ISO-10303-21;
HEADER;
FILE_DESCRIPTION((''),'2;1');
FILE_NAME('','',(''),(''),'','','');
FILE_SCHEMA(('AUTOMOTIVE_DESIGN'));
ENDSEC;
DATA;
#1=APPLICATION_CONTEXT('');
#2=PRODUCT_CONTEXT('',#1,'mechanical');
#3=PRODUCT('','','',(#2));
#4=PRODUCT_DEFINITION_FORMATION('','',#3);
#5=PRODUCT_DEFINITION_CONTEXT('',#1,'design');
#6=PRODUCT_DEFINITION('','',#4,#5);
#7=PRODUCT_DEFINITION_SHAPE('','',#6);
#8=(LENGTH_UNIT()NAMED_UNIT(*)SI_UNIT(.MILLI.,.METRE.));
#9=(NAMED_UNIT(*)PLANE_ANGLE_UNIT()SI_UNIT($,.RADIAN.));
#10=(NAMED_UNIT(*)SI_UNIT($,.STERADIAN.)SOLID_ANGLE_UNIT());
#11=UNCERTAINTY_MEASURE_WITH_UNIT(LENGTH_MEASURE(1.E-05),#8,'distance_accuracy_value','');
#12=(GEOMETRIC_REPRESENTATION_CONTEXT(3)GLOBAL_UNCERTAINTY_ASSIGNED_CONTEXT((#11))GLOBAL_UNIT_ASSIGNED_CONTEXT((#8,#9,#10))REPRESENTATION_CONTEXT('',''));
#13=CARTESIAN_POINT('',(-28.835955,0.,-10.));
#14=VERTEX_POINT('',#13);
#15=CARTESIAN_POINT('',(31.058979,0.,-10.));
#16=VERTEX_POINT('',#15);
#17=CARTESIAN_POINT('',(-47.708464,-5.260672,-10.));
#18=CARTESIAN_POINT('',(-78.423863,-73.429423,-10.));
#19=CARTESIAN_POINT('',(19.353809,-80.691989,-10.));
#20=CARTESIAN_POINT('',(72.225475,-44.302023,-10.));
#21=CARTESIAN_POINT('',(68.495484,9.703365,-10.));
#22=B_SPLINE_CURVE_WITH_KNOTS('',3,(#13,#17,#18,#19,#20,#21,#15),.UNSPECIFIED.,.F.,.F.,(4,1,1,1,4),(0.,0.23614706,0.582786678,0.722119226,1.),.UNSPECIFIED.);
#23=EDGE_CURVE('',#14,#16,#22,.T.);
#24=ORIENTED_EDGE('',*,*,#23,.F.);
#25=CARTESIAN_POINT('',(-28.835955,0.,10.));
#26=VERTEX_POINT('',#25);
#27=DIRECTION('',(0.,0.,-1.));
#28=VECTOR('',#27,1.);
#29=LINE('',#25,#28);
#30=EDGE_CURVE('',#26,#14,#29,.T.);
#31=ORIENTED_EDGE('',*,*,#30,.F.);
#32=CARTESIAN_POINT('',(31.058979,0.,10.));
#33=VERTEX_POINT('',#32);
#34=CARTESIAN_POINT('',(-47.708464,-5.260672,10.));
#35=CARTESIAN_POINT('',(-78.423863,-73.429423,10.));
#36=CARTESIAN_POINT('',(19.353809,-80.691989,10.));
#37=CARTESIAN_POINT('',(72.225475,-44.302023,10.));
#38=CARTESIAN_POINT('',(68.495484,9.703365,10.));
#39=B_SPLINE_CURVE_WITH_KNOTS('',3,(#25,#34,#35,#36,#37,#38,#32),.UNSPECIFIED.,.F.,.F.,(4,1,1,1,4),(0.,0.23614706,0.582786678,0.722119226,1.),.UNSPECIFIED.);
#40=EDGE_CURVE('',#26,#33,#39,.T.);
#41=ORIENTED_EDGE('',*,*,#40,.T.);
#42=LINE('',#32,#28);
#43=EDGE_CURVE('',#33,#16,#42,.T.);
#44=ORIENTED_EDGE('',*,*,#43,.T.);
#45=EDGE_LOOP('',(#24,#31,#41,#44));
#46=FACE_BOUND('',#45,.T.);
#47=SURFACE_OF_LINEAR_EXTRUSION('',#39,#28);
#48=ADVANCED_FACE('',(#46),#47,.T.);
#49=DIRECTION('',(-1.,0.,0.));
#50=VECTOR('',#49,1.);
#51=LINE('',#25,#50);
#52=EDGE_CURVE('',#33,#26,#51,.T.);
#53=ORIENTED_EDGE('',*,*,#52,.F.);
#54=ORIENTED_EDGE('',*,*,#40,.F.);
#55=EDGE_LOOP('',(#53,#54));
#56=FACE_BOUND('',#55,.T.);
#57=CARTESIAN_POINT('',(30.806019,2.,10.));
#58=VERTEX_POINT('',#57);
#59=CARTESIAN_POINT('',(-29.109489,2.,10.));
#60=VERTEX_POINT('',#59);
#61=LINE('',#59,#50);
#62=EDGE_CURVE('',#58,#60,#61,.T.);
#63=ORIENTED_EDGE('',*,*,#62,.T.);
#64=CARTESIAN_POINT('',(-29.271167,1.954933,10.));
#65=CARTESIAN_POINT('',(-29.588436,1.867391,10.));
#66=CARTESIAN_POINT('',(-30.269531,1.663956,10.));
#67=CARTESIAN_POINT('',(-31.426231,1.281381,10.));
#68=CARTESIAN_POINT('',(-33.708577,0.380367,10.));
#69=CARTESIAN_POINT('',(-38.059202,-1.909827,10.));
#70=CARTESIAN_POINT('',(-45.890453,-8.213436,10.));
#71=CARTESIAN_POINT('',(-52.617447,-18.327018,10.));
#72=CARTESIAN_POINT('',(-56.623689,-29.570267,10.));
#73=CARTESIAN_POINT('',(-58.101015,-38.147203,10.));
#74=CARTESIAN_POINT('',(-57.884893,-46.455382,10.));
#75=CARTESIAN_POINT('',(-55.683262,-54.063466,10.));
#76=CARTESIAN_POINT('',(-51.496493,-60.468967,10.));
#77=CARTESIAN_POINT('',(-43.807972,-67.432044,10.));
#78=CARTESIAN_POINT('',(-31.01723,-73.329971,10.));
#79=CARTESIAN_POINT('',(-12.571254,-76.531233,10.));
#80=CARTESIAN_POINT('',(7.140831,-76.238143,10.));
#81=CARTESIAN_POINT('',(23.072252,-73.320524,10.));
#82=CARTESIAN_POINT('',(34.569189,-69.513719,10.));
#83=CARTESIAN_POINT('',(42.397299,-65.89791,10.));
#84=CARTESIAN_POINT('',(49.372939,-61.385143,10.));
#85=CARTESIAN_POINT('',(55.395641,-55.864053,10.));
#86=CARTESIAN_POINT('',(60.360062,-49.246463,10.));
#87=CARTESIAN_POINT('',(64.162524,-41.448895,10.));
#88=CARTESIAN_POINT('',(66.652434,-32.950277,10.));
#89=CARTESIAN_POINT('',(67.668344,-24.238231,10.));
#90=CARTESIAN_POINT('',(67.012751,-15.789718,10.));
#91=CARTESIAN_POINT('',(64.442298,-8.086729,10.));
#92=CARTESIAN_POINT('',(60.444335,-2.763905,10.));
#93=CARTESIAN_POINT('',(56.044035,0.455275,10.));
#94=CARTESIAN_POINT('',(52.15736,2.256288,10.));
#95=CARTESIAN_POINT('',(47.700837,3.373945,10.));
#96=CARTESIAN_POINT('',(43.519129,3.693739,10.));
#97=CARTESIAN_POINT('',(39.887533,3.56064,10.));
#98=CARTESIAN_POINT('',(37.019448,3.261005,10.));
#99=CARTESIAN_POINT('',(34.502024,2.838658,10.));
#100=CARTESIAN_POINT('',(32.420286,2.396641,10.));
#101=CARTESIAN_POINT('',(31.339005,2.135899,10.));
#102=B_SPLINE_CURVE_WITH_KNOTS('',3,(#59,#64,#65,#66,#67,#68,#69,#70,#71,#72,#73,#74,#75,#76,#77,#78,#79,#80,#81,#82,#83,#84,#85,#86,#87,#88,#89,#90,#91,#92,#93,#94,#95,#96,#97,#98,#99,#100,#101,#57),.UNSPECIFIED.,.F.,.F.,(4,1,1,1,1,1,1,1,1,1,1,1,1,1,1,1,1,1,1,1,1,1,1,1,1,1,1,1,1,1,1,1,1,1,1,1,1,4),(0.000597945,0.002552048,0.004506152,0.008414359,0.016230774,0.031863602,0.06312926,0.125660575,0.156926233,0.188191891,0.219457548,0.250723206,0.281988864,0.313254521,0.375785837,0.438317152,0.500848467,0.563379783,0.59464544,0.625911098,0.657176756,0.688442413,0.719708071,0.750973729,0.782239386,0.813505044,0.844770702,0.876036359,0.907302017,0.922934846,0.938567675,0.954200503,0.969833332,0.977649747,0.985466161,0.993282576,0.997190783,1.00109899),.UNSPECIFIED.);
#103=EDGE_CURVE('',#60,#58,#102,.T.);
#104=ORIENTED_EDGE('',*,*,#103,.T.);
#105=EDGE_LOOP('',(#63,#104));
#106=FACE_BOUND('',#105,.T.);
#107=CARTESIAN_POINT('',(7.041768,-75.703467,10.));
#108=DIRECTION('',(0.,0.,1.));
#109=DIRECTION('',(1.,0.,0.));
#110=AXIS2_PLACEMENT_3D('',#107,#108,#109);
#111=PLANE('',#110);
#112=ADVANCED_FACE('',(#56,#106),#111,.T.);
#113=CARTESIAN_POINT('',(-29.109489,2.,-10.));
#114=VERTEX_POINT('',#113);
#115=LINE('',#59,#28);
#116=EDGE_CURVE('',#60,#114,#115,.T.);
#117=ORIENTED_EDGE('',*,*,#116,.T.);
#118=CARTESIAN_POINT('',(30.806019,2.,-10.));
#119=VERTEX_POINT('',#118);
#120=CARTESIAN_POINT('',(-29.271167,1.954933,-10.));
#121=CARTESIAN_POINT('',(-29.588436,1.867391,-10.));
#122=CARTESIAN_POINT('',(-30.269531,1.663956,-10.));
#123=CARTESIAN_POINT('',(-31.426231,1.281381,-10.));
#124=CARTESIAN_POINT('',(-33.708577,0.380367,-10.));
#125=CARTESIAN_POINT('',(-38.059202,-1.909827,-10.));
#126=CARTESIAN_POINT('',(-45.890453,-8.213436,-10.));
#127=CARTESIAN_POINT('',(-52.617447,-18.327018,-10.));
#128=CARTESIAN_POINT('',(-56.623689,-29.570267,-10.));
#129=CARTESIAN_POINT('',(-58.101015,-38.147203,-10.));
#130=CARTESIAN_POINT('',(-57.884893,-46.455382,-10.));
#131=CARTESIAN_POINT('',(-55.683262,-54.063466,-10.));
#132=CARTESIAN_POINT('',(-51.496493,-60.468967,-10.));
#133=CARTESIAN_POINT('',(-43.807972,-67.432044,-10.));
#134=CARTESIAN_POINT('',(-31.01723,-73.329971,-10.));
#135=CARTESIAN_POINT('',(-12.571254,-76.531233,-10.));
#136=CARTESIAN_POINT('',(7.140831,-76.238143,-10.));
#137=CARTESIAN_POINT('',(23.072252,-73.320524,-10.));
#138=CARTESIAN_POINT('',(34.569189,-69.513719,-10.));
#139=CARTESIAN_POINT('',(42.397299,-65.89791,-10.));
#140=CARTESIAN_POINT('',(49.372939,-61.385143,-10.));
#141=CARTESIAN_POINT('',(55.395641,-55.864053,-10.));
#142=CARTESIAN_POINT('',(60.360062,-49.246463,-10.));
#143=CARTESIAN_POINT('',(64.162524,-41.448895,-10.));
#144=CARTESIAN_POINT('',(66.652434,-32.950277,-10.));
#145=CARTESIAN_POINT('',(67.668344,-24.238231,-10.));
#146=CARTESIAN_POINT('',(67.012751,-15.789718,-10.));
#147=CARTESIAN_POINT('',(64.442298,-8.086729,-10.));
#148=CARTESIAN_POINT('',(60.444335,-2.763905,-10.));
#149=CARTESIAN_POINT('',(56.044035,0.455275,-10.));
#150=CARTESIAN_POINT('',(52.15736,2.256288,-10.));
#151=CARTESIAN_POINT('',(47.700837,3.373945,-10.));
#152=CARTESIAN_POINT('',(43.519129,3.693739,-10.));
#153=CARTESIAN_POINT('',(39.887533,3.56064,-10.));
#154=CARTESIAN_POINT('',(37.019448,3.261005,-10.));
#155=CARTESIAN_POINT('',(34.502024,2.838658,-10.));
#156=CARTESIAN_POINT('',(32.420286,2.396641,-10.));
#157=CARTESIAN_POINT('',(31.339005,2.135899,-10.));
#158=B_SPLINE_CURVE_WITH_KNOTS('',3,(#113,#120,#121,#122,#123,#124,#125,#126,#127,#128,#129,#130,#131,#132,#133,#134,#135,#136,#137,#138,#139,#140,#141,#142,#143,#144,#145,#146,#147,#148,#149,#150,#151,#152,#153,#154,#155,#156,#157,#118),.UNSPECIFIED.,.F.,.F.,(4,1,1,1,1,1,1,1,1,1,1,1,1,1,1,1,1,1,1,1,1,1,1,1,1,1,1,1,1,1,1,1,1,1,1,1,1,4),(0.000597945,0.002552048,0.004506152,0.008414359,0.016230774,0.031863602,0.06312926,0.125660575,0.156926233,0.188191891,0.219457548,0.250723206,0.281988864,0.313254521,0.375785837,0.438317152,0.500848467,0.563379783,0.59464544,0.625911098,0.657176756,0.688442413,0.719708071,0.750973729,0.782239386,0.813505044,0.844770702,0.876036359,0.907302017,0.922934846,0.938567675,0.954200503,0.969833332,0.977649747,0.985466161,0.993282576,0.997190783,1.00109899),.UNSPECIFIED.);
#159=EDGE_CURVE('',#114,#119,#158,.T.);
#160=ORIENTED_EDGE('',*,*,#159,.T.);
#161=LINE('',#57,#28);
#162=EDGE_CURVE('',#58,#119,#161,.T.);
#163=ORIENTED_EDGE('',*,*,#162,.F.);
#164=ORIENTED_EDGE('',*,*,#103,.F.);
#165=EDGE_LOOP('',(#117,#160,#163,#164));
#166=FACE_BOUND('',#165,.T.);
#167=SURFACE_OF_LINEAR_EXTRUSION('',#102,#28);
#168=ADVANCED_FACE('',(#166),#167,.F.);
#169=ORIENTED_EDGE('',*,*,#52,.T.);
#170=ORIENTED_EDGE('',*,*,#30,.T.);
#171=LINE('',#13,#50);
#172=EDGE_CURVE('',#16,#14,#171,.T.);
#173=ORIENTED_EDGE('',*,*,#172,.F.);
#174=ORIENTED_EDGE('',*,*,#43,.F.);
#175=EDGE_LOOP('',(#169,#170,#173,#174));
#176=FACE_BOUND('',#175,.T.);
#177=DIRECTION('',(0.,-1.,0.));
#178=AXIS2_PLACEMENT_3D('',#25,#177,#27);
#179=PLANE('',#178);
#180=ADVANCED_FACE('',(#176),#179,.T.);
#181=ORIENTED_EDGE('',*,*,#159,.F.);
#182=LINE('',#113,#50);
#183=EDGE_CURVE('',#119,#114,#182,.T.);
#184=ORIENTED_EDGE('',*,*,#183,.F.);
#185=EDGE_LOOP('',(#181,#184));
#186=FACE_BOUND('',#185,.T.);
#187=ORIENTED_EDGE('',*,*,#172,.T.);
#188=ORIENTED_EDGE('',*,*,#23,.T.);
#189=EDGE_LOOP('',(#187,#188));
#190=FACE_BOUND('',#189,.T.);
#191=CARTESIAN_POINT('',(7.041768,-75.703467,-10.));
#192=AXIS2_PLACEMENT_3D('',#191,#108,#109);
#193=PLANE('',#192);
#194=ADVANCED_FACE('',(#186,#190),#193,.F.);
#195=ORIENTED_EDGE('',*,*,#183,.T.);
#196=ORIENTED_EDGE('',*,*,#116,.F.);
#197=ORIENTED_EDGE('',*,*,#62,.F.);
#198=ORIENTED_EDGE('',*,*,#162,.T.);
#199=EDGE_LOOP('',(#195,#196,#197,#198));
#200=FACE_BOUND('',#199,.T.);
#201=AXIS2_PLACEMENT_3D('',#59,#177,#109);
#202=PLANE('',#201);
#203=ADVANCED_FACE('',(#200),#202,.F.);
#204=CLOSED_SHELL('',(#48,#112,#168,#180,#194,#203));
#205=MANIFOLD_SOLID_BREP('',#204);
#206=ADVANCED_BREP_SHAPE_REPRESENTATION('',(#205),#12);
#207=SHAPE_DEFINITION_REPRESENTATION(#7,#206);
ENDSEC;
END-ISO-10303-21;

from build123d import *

# Parameters (mm, degrees)
BOSS_EXTRUDE1_DEPTH = 10


with BuildPart() as part:
    # Sketch1 → Boss-Extrude1 (new body, symmetric)
    with BuildSketch(Plane.XY):
        with BuildLine():
            Line((-29.109488938, 2), (30.806019374, 2))
            add(Edge.make_bspline(
                [(30.806019374, 2), (31.339005391, 2.13589874), (32.420285659, 2.39664087), (34.502023546, 2.838658031), (37.019447608, 3.261004871), (39.887533308, 3.560639976), (43.519128896, 3.693738515), (47.700836797, 3.373944758), (52.157359772, 2.256288216), (56.044035485, 0.455274826), (60.444334505, -2.763904799), (64.442297521, -8.086729155), (67.012750653, -15.78971807), (67.668343918, -24.238230618), (66.652434223, -32.950277254), (64.162524345, -41.448894606), (60.360062445, -49.246462696), (55.395640775, -55.864053474), (49.372938514, -61.385143133), (42.397299201, -65.897910229), (34.569189201, -69.513718914), (23.072251511, -73.320523974), (7.140831425, -76.238142585), (-12.571253539, -76.531233106), (-31.017229704, -73.329970509), (-43.807972088, -67.432043748), (-51.496493039, -60.468967394), (-55.683262495, -54.063466146), (-57.884892933, -46.455382485), (-58.10101488, -38.14720342), (-56.623689052, -29.57026659), (-52.617447299, -18.327017856), (-45.890452943, -8.213436103), (-38.059201908, -1.909827174), (-33.708577362, 0.38036745), (-31.426231137, 1.281380833), (-30.26953148, 1.663956301), (-29.588436418, 1.867390986), (-29.271166606, 1.954932691), (-29.109488938, 2)],
                knots=[0.000597945, 0.000597945, 0.000597945, 0.000597945, 0.004506152, 0.008414359, 0.016230774, 0.024047188, 0.031863602, 0.047496431, 0.06312926, 0.078762089, 0.094394918, 0.125660575, 0.156926233, 0.188191891, 0.219457548, 0.250723206, 0.281988864, 0.313254521, 0.344520179, 0.375785837, 0.407051494, 0.438317152, 0.500848467, 0.563379783, 0.625911098, 0.688442413, 0.719708071, 0.750973729, 0.782239386, 0.813505044, 0.844770702, 0.876036359, 0.938567675, 0.969833332, 0.985466161, 0.993282576, 0.997190783, 0.999144886, 1.00109899, 1.00109899, 1.00109899, 1.00109899], degree=3))
        make_face()
        with BuildLine():
            Line((-28.835955081, 0), (31.058979205, 0))
            add(Edge.make_bspline(
                [(31.058979205, 0), (68.495483915, 9.703365158), (72.225474707, -44.302023431), (19.353809106, -80.691988602), (-78.423863055, -73.429422761), (-47.708464205, -5.260672109), (-28.835955081, 0)],
                knots=[0, 0, 0, 0, 0.277880774, 0.417213322, 0.76385294, 1, 1, 1, 1], degree=3))
        make_face(mode=Mode.SUBTRACT)
    extrude(amount=BOSS_EXTRUDE1_DEPTH, both=True)


solid = part.part
